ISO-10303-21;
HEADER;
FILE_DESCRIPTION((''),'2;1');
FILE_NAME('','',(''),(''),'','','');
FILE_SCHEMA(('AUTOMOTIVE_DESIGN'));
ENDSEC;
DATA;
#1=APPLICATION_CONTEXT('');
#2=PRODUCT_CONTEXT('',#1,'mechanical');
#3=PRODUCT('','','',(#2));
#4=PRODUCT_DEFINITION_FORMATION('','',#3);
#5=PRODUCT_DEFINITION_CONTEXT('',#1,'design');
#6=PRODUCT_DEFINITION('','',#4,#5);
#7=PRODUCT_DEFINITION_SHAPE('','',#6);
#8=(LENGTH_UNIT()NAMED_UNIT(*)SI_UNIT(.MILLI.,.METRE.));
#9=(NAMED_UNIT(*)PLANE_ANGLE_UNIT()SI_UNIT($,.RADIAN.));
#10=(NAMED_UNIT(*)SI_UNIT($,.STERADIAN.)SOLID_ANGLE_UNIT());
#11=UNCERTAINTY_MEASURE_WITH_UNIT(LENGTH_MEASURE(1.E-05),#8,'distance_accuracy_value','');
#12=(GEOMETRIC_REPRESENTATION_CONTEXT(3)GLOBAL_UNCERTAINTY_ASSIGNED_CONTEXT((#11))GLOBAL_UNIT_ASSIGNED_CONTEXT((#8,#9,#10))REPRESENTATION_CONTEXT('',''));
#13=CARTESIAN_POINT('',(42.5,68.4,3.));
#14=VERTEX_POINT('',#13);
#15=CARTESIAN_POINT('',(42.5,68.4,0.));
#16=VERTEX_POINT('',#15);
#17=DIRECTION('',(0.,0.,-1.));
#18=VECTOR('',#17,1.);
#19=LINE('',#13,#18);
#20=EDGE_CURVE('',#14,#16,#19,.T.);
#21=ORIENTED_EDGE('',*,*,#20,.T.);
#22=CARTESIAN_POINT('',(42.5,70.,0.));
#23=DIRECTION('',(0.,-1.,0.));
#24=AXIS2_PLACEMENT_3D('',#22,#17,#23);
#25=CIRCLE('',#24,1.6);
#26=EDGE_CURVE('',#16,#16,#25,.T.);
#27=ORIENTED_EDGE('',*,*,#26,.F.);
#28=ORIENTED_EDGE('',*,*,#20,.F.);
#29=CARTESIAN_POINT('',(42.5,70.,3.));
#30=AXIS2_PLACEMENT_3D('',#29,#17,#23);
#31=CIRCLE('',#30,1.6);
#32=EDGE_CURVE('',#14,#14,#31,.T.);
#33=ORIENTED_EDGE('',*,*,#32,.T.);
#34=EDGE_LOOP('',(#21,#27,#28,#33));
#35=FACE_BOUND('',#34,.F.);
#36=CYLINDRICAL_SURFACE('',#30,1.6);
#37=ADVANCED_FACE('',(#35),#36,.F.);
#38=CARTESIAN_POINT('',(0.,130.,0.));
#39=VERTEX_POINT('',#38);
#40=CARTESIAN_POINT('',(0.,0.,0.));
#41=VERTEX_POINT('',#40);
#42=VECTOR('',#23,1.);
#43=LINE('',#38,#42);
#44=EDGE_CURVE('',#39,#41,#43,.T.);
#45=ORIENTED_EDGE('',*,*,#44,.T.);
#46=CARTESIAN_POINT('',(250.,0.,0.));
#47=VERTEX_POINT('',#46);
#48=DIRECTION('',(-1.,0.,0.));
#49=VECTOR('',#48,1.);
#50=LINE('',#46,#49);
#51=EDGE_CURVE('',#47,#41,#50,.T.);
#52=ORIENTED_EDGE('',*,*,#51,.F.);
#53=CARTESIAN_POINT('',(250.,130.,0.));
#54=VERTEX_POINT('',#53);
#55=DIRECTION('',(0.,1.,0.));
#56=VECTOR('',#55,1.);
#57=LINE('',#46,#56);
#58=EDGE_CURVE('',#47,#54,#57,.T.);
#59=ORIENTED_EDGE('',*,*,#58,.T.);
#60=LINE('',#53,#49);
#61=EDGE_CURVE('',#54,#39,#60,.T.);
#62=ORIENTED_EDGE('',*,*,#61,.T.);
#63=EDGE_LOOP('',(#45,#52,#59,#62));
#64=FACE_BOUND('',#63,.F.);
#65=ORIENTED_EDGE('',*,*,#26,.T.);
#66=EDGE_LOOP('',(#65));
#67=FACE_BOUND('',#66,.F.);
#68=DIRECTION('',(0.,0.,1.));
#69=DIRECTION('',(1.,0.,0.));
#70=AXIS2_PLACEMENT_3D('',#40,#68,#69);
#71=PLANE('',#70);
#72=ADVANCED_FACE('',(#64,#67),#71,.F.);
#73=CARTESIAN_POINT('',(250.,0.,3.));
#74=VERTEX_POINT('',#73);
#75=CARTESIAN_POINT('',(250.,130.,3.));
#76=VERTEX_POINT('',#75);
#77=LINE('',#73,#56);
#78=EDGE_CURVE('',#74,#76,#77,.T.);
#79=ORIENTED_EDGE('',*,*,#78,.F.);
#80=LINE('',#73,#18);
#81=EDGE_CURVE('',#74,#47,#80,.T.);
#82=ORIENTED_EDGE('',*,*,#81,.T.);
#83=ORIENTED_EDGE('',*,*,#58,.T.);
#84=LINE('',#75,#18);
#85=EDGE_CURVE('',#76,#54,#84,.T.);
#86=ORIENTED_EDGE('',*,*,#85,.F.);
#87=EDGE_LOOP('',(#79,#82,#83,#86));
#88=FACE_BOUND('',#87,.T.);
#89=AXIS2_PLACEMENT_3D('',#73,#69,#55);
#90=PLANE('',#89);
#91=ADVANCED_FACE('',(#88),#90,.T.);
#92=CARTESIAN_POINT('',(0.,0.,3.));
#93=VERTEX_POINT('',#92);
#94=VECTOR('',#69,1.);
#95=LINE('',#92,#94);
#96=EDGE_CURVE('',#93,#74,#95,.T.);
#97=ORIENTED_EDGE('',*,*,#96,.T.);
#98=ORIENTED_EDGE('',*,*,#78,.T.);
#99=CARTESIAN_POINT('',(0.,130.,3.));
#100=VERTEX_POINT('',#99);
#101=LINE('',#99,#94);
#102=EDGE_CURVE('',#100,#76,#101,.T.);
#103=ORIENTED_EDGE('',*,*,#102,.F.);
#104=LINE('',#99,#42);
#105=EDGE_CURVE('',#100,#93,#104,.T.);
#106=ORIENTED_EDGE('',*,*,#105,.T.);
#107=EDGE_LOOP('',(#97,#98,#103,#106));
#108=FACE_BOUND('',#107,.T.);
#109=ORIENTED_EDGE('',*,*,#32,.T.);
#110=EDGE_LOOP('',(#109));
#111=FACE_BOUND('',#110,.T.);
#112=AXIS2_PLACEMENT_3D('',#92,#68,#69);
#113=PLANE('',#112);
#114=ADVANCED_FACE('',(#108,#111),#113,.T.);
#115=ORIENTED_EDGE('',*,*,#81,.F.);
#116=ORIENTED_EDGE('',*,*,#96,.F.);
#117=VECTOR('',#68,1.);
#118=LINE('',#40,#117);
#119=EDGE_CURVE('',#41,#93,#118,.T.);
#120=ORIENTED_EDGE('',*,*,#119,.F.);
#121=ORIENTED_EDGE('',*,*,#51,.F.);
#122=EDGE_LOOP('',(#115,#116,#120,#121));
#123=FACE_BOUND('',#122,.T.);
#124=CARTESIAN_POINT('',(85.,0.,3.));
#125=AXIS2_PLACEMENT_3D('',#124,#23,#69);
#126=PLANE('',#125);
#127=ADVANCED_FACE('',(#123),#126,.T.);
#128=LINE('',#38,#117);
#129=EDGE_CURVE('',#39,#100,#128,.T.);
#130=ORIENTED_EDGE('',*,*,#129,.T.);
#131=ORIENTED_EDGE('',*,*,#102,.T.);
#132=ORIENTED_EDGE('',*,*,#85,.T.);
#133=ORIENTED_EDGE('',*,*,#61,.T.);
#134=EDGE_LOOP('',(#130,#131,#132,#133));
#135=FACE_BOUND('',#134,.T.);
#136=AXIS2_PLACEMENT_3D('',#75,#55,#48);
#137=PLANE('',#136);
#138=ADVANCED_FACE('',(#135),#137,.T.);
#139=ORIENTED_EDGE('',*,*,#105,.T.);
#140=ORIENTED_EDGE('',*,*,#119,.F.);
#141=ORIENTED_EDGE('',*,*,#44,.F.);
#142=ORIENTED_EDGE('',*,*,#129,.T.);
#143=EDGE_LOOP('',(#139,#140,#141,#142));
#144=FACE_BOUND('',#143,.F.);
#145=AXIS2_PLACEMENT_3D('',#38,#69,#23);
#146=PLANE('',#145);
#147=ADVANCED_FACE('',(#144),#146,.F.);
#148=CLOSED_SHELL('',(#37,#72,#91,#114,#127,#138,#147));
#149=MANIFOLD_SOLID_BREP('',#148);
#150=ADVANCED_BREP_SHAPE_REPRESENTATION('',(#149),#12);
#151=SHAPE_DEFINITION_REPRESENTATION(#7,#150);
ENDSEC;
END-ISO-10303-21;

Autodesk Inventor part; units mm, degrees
ref_plane "YZ Plane" through (0, 0, 0) normal (1, 0, 0) x (0, 1, 0)
ref_plane "XZ Plane" through (0, 0, 0) normal (0, 1, 0) x (-1, 0, 0)
ref_plane "XY Plane" through (0, 0, 0) normal (0, 0, 1) x (1, 0, 0)
sketch "スケッチ1" plane through (0, 0, 0) normal (0, 0, 1) x (1, 0, 0)
  line L0 (0, 0) -> (85, 0)
  line L1 (85, 0) -> (85, 130)
  line L2 (85, 130) -> (0, 130)
  line L3 (0, 130) -> (0, 0)
  dimension "d0" = 85
  dimension "d1" = 130
extrude "押し出し1" add sketch "スケッチ1" along normal blind 3
sketch "スケッチ2" plane through (0, 0, 3) normal (0, 0, 1) x (1, 0, 0)
  circle A0 centre (42.5, 70) radius 1.6
  line L0 (85, 130) -> (0, 130) projected
  line L1 (85, 0) -> (85, 130) projected
  point P0 (0, 0)
  dimension "d4" = 3.2
  dimension "d5" = 60
  dimension "d6" = 42.5
hole "穴1" at (42.5, 70, 3) direction (0, 0, -1) diameter 3.2 end through all
sketch "スケッチ3" plane through (0, 0, 3) normal (0, 0, 1) x (1, 0, 0)
  line L0 (0, 0) -> (85, 0) projected
  line L1 (85, 0) -> (250, 0)
  line L2 (250, 0) -> (250, 130)
  line L3 (250, 130) -> (85, 130)
  line L4 (85, 130) -> (85, 0)
  dimension "d14" = 165
  dimension "d15" = 130
extrude "押し出し2" add sketch "スケッチ3" against normal blind 3
properties part number "NHK_t0_11"
